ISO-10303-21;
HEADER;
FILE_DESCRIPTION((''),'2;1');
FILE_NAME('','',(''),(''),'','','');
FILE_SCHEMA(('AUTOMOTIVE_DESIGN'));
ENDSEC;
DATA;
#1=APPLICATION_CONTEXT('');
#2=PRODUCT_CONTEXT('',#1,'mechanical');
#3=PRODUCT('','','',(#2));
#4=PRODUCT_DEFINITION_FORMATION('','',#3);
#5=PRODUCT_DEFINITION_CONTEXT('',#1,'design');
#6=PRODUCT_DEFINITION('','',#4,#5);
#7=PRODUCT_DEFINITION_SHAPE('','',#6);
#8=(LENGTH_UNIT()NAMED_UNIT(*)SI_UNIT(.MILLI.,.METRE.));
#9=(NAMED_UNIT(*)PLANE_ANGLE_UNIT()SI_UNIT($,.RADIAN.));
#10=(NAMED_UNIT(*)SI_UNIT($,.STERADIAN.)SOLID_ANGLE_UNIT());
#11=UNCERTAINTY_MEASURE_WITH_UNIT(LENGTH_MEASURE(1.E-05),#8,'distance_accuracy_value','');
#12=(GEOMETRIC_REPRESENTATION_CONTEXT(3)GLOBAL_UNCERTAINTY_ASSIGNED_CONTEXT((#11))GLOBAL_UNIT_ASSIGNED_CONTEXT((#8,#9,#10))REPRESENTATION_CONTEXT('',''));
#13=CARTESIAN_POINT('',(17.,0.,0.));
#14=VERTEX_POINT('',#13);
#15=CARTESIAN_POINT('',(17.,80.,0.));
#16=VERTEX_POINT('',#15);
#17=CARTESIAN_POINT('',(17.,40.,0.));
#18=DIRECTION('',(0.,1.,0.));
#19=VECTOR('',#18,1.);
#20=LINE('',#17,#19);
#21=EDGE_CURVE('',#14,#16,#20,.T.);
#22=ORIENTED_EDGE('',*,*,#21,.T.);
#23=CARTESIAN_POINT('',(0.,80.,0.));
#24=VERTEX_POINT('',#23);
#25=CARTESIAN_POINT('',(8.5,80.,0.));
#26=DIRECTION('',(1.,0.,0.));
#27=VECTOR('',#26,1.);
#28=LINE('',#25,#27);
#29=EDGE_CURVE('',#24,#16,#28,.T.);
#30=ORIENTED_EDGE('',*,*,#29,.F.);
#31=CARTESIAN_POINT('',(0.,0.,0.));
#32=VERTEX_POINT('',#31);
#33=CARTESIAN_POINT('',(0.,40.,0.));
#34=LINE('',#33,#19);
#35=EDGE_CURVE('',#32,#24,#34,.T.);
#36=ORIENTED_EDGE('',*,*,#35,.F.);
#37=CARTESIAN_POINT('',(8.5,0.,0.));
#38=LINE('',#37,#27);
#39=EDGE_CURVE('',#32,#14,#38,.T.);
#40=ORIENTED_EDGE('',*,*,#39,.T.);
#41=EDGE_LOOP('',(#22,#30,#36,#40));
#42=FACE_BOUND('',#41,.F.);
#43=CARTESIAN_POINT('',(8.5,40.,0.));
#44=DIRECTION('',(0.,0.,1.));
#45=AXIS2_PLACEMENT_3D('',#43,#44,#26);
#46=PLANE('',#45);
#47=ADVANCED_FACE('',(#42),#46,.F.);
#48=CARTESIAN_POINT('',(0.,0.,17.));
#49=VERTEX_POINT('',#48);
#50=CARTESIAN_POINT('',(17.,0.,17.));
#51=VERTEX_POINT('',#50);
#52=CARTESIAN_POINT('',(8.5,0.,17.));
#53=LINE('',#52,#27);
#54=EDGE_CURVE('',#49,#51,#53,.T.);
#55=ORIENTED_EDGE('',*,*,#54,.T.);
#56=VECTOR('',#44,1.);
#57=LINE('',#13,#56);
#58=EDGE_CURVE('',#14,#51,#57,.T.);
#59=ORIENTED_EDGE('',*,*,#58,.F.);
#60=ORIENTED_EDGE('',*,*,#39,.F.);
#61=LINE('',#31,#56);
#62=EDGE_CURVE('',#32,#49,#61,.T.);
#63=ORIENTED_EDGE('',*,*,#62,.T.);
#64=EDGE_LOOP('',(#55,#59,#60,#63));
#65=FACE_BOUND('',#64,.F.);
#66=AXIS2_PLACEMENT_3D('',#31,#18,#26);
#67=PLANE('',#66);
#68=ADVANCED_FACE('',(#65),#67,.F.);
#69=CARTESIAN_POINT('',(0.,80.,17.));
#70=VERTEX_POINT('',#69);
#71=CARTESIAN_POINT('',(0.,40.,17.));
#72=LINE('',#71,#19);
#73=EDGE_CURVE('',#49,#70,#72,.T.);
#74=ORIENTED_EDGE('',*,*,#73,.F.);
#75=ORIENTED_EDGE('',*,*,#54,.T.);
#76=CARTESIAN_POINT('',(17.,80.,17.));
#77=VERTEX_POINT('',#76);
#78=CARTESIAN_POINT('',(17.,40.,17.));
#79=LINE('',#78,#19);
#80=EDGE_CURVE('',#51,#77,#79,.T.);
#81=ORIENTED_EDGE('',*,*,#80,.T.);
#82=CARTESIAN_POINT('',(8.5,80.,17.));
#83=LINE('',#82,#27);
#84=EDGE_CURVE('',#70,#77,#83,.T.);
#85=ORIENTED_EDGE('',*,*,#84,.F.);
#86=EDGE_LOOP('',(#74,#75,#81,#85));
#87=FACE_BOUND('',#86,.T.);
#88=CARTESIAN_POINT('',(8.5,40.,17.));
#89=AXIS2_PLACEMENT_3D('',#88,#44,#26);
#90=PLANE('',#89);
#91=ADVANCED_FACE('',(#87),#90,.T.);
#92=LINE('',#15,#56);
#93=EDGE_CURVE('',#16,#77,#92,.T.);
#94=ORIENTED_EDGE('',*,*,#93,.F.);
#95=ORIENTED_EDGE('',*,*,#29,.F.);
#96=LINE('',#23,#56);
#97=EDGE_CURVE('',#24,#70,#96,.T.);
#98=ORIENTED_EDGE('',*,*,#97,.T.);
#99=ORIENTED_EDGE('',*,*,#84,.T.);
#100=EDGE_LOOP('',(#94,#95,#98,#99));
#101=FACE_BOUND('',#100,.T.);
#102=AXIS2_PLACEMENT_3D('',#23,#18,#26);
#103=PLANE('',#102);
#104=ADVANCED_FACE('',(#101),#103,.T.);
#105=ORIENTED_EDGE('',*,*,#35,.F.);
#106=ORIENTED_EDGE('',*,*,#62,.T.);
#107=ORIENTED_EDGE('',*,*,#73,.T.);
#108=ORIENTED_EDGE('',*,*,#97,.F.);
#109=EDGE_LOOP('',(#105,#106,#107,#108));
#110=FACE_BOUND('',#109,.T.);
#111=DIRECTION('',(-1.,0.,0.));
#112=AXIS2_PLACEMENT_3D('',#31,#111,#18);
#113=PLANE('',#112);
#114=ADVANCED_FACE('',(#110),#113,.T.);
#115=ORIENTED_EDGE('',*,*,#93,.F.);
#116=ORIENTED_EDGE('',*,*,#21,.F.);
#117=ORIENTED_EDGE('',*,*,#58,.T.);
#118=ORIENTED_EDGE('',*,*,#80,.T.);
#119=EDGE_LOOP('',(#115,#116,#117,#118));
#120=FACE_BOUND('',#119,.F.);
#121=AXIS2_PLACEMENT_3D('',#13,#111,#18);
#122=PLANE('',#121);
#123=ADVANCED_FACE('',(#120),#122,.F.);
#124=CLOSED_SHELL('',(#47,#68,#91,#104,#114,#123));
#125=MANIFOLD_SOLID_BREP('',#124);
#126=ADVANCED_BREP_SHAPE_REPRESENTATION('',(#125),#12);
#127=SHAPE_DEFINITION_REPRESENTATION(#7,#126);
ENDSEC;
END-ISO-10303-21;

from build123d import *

# Parameters (mm, degrees)
SKETCH_W  = 17
SKETCH_H  = 80
PAD_DEPTH = 17


with BuildPart() as part:
    # Sketch → Pad (new body)
    with BuildSketch(Plane.XY):
        with Locations((8.5, 40)):
            Rectangle(SKETCH_W, SKETCH_H)
    extrude(amount=PAD_DEPTH)


solid = part.part
